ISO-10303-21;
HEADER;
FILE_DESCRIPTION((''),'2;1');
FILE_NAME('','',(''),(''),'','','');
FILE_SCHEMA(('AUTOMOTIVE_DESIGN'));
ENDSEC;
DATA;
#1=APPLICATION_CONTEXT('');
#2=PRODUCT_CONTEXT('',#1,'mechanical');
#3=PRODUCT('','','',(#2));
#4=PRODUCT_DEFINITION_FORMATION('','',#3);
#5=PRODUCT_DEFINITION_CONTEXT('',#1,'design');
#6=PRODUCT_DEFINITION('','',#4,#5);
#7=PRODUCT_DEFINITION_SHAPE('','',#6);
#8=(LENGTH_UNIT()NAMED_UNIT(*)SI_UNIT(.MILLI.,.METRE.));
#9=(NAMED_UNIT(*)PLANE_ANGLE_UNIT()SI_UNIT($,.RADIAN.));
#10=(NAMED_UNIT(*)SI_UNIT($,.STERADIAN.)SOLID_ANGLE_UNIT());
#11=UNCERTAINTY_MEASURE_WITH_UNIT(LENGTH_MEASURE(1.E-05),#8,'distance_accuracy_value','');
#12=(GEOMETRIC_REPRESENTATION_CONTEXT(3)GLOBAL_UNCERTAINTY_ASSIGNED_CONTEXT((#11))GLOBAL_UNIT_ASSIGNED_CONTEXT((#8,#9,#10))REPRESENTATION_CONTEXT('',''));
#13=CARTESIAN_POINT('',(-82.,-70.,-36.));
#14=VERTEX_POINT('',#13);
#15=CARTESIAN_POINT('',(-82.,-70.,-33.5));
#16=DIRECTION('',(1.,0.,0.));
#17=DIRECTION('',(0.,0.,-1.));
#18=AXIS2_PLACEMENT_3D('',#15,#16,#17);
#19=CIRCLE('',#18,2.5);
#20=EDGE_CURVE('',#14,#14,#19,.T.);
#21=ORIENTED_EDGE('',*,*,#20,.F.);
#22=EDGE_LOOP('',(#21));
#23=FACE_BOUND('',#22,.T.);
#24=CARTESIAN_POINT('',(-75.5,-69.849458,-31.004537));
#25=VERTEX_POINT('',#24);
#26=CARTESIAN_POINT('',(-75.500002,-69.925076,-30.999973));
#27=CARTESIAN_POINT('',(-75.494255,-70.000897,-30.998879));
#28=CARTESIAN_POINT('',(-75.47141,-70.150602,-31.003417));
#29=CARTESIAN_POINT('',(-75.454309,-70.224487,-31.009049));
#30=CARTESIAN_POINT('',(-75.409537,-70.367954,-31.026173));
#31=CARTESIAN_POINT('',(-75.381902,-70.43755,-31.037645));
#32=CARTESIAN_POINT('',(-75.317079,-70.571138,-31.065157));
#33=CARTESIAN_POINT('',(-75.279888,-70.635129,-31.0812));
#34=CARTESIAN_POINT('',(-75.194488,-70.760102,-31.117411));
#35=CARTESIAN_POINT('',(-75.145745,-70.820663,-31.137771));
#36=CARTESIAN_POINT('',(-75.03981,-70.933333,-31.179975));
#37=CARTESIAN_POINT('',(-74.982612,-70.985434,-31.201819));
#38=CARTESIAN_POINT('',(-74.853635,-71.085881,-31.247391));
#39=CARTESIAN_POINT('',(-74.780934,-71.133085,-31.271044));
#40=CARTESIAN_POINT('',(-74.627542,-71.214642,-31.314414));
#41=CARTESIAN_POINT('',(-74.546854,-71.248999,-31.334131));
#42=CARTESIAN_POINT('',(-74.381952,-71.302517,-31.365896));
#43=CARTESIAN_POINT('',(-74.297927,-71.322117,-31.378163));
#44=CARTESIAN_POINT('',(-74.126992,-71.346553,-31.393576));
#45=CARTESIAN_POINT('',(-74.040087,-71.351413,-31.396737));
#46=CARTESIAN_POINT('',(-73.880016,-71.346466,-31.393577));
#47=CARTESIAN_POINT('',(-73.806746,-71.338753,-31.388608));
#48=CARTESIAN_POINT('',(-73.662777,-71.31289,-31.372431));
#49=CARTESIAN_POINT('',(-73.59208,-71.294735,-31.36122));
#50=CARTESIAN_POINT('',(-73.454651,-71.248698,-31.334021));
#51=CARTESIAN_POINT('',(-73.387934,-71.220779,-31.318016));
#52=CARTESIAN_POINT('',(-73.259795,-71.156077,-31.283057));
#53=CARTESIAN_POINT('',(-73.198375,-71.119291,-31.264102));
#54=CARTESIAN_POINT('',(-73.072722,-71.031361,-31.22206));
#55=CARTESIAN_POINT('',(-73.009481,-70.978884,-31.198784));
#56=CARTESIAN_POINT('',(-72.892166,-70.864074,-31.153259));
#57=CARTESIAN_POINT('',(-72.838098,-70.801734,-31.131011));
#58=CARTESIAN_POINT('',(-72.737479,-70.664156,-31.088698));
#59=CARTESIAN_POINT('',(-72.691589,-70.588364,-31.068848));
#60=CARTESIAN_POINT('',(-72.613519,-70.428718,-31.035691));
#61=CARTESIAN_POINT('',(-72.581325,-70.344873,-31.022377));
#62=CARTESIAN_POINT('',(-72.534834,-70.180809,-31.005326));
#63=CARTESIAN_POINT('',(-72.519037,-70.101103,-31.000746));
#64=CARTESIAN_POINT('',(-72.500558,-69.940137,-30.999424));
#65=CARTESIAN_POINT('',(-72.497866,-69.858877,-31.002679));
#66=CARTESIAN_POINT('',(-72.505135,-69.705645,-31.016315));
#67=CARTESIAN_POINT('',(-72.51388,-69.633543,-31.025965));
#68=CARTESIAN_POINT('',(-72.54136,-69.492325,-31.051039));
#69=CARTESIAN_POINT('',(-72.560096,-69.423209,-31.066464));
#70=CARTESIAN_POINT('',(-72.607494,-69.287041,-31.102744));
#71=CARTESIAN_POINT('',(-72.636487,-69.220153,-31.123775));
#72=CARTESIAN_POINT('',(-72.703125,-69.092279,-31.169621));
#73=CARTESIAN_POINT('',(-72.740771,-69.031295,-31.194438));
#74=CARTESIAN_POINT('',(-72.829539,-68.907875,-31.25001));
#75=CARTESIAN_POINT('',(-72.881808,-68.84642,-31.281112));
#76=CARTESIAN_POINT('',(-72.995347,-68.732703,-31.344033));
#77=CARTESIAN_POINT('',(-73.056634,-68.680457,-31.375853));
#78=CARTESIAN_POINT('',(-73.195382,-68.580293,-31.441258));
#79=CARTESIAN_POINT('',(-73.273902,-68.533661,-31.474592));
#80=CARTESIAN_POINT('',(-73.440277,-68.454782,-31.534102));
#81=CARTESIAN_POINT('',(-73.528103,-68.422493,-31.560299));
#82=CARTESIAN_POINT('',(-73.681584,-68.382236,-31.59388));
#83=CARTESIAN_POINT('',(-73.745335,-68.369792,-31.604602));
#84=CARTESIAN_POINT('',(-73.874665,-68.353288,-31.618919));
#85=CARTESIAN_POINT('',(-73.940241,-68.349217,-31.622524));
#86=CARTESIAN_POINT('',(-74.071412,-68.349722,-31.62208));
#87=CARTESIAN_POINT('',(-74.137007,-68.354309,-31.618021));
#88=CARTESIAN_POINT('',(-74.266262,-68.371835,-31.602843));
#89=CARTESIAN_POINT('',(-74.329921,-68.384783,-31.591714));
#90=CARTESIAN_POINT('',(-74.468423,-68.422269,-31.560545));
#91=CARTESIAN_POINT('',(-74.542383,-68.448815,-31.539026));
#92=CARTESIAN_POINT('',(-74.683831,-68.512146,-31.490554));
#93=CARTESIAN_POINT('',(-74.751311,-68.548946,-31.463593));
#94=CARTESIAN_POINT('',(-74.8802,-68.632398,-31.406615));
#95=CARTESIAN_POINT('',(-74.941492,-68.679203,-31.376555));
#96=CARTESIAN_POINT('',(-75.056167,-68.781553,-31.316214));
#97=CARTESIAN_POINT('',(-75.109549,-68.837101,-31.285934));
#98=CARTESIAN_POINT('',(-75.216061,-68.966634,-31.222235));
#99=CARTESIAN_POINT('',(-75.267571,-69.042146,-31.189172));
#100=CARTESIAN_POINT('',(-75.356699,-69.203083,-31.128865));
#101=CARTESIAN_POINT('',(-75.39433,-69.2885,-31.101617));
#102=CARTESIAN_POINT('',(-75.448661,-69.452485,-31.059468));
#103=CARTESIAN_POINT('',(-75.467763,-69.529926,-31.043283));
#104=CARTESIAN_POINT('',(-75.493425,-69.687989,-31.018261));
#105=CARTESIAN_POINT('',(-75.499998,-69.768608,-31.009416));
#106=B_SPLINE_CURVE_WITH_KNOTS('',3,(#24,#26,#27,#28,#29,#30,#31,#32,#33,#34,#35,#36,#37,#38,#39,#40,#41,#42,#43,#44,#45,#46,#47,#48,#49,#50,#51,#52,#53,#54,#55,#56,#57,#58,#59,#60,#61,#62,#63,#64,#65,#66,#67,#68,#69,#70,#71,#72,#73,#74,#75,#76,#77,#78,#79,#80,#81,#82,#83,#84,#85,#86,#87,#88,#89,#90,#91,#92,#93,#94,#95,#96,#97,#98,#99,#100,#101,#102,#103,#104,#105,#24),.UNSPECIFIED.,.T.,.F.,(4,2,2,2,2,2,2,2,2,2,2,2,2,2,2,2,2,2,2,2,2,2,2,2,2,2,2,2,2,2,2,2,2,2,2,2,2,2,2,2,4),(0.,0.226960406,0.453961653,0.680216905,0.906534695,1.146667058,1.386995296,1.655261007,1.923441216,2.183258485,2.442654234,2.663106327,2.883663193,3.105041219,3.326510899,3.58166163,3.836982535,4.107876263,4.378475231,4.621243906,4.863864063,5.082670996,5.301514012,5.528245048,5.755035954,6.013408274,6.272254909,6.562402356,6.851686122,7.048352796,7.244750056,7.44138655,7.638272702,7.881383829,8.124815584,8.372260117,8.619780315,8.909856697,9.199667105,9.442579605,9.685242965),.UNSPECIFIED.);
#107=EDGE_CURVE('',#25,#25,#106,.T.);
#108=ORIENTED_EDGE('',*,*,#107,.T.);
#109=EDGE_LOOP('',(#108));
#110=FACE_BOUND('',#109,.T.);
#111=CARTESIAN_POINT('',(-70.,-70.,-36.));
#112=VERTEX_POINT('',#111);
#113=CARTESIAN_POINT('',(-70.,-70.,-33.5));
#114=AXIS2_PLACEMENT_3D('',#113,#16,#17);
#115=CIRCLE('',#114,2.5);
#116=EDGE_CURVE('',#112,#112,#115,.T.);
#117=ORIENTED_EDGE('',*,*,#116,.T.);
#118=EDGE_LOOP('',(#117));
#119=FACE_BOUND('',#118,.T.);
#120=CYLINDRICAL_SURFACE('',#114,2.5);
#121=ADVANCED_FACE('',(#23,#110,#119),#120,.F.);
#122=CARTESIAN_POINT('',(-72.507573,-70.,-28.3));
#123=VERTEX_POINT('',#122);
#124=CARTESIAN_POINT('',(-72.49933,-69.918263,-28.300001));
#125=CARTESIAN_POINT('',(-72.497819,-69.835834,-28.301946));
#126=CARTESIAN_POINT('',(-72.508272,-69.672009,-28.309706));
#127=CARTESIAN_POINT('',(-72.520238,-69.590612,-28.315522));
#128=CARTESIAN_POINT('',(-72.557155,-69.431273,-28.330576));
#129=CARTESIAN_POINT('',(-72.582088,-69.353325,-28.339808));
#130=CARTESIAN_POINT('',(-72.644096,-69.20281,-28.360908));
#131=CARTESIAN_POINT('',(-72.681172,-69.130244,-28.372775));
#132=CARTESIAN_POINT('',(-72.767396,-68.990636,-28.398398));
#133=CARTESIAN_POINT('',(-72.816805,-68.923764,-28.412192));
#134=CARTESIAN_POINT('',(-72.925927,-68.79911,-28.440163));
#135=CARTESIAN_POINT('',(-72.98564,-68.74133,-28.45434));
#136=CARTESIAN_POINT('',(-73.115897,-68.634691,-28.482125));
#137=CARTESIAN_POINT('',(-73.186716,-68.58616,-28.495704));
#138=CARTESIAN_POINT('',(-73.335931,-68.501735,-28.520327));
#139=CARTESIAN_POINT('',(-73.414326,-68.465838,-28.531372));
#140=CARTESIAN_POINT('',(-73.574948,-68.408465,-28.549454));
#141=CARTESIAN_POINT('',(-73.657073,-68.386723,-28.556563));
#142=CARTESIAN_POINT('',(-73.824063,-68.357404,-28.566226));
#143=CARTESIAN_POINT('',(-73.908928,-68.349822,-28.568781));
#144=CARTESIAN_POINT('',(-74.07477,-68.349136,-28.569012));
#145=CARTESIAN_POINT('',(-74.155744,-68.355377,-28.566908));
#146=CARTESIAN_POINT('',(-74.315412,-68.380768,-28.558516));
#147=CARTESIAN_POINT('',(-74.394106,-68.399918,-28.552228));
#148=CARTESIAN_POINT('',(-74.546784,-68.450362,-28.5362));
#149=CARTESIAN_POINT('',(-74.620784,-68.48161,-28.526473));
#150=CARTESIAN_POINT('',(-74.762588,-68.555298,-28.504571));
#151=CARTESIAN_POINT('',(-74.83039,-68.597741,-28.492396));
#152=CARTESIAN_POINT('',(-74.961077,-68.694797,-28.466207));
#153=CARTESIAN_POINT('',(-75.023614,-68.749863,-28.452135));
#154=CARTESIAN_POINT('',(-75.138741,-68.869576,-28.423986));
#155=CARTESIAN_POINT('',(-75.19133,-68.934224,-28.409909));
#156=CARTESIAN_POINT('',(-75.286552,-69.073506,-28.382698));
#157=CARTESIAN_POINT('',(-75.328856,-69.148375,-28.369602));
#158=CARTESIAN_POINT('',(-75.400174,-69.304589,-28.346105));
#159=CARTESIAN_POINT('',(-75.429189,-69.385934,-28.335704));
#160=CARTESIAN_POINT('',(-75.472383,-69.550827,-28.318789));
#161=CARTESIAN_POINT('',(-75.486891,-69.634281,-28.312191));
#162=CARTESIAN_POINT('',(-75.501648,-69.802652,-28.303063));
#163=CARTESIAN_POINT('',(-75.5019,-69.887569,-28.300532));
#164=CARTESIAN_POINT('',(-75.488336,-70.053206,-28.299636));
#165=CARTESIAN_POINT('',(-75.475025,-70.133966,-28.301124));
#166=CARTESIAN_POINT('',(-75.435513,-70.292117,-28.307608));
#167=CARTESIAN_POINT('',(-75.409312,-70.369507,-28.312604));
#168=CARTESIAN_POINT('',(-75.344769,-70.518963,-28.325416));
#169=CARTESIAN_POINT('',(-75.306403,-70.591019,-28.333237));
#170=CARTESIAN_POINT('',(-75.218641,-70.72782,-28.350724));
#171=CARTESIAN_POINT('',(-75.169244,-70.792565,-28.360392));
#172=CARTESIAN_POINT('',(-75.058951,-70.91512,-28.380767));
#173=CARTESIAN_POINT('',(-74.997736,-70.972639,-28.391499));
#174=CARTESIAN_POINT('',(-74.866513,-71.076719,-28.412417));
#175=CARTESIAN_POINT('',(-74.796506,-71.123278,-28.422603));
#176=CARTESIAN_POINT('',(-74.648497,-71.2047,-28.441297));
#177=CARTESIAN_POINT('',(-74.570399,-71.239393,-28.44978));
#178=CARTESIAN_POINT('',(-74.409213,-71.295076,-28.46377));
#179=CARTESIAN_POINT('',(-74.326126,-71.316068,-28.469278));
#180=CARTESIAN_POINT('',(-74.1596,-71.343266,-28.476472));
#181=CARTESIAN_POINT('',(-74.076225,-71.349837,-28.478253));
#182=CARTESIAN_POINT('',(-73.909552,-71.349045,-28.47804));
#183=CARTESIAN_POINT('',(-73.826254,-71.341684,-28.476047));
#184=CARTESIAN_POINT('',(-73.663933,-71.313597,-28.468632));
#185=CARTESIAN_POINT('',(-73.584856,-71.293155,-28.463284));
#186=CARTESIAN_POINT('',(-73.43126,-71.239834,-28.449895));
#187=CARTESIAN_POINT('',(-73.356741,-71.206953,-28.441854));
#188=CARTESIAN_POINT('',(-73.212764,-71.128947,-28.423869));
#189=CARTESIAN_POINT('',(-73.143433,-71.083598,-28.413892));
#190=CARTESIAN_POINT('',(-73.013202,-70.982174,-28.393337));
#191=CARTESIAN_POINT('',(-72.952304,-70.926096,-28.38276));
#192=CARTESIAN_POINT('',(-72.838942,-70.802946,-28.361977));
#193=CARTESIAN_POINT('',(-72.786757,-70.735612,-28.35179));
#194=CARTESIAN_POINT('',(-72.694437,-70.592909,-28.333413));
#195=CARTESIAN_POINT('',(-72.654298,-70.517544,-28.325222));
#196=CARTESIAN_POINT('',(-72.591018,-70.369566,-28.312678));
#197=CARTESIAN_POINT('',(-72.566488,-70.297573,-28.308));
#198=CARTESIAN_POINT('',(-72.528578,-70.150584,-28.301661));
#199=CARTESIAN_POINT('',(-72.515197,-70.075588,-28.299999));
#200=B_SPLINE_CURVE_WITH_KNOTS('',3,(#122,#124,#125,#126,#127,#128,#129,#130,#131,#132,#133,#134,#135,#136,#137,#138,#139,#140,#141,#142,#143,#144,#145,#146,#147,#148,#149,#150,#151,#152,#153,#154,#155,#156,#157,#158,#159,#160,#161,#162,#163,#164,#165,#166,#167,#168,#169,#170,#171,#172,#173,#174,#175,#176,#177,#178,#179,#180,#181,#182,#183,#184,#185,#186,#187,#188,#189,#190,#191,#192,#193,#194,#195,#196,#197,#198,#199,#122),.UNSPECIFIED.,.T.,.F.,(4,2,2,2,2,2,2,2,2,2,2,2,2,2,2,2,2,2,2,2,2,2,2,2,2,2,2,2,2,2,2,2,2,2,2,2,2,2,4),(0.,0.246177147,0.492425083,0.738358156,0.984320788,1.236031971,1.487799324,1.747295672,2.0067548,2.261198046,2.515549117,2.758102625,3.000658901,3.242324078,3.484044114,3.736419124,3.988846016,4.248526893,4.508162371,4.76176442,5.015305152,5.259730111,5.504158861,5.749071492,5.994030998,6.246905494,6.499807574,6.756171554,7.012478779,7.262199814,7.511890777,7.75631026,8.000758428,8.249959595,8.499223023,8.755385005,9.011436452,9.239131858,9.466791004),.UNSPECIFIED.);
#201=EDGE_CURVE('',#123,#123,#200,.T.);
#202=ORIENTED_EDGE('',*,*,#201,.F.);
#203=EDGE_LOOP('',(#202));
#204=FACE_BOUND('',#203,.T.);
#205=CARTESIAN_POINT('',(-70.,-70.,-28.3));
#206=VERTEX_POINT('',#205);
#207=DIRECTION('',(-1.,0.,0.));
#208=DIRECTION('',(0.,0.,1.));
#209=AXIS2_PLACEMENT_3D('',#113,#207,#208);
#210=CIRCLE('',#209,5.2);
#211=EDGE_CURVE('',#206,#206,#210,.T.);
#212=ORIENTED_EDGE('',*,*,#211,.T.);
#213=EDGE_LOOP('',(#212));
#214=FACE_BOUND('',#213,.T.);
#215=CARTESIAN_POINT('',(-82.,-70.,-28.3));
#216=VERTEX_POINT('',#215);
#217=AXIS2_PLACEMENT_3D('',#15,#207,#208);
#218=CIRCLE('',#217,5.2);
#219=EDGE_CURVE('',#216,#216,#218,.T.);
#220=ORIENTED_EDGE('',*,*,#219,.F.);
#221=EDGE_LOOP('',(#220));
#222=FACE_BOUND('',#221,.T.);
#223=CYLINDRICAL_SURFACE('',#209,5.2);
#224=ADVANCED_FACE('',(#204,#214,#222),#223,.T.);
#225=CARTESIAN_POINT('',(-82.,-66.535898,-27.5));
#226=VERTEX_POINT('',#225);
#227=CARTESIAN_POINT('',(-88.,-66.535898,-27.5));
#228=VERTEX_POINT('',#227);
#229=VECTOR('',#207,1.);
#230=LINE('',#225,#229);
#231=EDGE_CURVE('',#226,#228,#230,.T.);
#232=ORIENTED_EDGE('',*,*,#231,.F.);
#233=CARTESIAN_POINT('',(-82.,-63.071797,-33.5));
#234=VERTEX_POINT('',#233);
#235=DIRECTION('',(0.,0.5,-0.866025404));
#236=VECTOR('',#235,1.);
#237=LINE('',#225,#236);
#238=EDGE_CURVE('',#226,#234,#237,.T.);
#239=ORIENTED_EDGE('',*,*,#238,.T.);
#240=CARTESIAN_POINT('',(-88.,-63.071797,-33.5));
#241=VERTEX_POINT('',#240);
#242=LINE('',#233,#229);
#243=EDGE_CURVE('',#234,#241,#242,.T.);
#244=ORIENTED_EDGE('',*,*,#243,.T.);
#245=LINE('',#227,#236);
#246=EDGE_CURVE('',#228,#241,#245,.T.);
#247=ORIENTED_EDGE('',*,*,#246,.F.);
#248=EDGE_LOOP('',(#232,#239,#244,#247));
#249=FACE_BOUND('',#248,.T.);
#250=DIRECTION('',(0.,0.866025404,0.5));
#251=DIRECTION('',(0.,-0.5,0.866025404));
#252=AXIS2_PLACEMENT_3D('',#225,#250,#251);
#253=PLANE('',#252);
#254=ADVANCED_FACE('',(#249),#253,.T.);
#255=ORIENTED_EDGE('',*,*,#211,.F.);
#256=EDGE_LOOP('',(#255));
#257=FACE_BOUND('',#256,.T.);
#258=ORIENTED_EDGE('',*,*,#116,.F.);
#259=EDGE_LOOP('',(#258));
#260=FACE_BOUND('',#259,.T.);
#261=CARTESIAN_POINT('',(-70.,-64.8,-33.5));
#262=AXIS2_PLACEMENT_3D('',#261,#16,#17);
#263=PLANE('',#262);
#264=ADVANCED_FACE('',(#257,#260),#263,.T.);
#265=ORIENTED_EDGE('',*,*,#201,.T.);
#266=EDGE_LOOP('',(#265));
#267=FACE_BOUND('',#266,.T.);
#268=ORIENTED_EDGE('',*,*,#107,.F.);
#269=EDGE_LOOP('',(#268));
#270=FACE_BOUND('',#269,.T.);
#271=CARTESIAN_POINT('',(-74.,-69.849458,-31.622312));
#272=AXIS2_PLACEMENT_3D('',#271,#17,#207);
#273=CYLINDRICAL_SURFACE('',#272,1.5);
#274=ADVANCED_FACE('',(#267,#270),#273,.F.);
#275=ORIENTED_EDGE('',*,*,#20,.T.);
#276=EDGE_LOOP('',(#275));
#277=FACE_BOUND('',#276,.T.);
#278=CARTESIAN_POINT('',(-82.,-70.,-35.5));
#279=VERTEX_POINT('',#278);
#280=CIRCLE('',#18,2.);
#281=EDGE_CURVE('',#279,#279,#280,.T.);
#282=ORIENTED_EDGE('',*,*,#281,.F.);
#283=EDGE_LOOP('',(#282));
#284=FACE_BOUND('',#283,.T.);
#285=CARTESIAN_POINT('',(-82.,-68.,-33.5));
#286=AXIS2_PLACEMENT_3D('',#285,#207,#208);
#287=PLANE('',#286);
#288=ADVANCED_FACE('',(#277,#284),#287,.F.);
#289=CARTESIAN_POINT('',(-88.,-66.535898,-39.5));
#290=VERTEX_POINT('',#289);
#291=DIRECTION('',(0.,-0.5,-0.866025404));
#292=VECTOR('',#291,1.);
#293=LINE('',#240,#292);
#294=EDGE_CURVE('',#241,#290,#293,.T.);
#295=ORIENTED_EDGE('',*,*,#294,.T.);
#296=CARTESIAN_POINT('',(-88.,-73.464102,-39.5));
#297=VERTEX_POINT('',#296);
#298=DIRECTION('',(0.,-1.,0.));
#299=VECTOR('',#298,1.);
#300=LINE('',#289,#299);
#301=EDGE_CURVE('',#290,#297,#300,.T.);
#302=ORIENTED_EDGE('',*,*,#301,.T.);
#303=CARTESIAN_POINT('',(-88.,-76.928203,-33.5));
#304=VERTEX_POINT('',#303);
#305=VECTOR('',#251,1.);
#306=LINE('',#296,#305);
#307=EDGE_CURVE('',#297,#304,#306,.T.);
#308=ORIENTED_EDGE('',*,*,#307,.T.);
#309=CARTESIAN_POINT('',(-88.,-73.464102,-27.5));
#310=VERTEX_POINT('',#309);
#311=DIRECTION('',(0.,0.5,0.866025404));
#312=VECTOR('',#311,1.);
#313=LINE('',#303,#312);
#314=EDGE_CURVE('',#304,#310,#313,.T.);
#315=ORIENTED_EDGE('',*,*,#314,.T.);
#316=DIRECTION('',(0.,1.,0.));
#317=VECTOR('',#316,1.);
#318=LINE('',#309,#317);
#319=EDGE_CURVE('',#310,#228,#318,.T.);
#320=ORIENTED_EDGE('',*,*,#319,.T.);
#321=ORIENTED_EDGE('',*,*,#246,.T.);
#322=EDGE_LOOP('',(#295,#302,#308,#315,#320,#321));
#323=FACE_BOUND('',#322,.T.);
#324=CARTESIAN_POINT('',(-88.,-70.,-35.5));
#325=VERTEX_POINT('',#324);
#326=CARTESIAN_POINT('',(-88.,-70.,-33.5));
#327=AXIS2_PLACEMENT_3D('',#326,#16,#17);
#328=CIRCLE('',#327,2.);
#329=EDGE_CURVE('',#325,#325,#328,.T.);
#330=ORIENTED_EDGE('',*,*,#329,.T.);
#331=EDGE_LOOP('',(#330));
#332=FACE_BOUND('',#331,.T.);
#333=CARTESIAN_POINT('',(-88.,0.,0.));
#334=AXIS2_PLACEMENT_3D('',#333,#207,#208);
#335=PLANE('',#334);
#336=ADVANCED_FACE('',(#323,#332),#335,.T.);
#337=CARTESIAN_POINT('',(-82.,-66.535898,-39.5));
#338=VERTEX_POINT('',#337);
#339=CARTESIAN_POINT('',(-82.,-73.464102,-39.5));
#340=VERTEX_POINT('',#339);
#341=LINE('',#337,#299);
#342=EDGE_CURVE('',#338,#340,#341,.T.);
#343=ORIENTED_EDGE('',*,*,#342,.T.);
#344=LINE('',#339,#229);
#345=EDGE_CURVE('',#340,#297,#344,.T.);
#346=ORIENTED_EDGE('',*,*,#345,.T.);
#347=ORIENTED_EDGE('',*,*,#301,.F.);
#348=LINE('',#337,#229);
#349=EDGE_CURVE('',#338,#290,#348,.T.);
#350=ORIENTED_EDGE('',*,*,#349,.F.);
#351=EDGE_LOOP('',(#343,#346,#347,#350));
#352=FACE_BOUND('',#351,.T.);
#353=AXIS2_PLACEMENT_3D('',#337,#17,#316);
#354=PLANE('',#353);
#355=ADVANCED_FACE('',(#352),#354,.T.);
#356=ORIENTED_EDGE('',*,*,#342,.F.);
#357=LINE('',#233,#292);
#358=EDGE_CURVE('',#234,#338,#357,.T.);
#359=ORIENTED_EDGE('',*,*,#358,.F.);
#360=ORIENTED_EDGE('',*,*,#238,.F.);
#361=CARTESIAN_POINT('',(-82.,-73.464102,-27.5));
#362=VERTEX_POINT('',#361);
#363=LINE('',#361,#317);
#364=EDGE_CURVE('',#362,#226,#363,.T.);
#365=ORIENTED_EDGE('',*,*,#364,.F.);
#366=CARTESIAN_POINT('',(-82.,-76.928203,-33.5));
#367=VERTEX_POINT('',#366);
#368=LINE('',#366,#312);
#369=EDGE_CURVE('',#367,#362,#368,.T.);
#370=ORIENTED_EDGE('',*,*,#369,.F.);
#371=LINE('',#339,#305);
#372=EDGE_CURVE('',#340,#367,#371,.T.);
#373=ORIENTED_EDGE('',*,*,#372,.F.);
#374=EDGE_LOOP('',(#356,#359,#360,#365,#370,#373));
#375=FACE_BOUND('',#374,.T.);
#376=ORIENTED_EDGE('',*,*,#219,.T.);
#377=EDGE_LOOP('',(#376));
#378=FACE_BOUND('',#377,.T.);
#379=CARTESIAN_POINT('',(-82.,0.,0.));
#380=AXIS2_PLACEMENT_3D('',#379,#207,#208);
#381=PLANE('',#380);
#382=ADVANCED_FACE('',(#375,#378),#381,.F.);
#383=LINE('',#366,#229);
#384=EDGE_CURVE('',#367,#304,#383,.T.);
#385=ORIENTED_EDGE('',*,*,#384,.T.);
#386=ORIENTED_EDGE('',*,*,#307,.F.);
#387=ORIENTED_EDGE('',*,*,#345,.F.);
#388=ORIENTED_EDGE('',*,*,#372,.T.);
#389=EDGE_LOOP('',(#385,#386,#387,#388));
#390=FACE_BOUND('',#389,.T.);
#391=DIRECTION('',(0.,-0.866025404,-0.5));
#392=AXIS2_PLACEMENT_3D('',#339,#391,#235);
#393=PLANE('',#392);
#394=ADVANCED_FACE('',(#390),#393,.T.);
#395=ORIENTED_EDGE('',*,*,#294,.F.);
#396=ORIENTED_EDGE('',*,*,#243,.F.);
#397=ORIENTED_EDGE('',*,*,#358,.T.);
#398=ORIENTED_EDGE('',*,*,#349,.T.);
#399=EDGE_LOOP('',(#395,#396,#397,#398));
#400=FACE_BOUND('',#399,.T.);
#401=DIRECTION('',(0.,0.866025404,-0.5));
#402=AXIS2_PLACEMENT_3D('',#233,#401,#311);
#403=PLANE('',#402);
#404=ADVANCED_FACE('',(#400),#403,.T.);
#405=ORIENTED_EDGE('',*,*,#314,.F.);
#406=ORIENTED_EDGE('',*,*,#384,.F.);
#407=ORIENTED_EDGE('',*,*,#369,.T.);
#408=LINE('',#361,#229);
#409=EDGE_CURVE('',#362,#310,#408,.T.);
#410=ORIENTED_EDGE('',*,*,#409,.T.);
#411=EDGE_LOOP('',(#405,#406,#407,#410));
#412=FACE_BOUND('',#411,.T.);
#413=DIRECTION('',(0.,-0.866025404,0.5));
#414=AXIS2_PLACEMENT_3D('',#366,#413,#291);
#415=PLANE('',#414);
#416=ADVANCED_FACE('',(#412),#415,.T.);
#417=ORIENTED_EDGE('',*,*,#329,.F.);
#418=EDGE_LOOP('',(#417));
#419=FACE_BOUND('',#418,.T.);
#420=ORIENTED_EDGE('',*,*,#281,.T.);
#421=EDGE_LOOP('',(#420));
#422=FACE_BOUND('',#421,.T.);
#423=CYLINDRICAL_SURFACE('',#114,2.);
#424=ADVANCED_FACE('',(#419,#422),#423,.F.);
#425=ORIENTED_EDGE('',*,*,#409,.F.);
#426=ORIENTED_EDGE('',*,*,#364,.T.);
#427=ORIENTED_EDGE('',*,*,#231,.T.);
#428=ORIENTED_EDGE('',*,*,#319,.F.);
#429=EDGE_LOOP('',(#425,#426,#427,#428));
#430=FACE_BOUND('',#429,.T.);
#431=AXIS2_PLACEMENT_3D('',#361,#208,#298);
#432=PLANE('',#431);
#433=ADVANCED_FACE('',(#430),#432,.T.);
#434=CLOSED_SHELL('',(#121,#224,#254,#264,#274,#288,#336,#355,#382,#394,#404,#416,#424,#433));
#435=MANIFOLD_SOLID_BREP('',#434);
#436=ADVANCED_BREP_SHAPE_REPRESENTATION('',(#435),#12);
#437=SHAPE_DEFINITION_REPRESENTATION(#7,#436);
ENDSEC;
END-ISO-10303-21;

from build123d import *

# Parameters (mm, degrees)
EXTRUDE_1_DEPTH                = 6
SKETCH_2_W                     = 12
SKETCH_2_H                     = 5.2
HOLE_WIZARD_M3_5_1_D           = 4
HOLE_WIZARD_M3_5_1_CBORE_D     = 5
HOLE_WIZARD_M3_5_1_CBORE_DEPTH = 12
SKETCH_5_W                     = 1.5
SKETCH_5_H                     = 4.122312264


with BuildPart() as part:
    # 草图1 → 凸台-拉伸1 (new body)
    with BuildSketch(Plane(origin=(-88, 0, 0), x_dir=(0, -1, 0), z_dir=(-1, 0, 0))):
        Polygon((76.92820323, -33.5), (73.464101615, -27.5), (66.535898385, -27.5), (63.07179677, -33.5), (66.535898385, -39.5), (73.464101615, -39.5), align=None)
    extrude(amount=-EXTRUDE_1_DEPTH)

    # 草图2 → 旋转1 (revolve)
    with BuildSketch(Plane(origin=(0, 0, -33.5), x_dir=(-1, 0, 0), z_dir=(0, 0, -1)), mode=Mode.PRIVATE) as revolve_1_sk:
        with Locations((76, -67.4)):
            Rectangle(SKETCH_2_W, SKETCH_2_H)
    revolve(revolve_1_sk.sketch.rotate(Axis((-70, -70, -33.5), (-1, 0, 0)), 270), axis=Axis((-70, -70, -33.5), (-1, 0, 0)))

    # M3.5 六角头机械螺钉的柱形沉头孔1 (through all)
    with Locations(Plane(origin=(-70, 0, 0), x_dir=(0, 0, -1), z_dir=(1, 0, 0))):
        with Locations((33.5, -70)):
            CounterBoreHole(HOLE_WIZARD_M3_5_1_D / 2, HOLE_WIZARD_M3_5_1_CBORE_D / 2, HOLE_WIZARD_M3_5_1_CBORE_DEPTH)

    # 草图5 → Ø3.0 (3) 直径孔1 (revolve, cut)
    with BuildSketch(Plane(origin=(-74, -69.849458039, -31.622312264), x_dir=(0, 1, 0), z_dir=(1, 0, 0))):
        with Locations((0.75, 2.061156132)):
            Rectangle(SKETCH_5_W, SKETCH_5_H)
    revolve(axis=Axis((-74, -69.849458039, -37.972312264), (0, 0, 1)), mode=Mode.SUBTRACT)


solid = part.part
